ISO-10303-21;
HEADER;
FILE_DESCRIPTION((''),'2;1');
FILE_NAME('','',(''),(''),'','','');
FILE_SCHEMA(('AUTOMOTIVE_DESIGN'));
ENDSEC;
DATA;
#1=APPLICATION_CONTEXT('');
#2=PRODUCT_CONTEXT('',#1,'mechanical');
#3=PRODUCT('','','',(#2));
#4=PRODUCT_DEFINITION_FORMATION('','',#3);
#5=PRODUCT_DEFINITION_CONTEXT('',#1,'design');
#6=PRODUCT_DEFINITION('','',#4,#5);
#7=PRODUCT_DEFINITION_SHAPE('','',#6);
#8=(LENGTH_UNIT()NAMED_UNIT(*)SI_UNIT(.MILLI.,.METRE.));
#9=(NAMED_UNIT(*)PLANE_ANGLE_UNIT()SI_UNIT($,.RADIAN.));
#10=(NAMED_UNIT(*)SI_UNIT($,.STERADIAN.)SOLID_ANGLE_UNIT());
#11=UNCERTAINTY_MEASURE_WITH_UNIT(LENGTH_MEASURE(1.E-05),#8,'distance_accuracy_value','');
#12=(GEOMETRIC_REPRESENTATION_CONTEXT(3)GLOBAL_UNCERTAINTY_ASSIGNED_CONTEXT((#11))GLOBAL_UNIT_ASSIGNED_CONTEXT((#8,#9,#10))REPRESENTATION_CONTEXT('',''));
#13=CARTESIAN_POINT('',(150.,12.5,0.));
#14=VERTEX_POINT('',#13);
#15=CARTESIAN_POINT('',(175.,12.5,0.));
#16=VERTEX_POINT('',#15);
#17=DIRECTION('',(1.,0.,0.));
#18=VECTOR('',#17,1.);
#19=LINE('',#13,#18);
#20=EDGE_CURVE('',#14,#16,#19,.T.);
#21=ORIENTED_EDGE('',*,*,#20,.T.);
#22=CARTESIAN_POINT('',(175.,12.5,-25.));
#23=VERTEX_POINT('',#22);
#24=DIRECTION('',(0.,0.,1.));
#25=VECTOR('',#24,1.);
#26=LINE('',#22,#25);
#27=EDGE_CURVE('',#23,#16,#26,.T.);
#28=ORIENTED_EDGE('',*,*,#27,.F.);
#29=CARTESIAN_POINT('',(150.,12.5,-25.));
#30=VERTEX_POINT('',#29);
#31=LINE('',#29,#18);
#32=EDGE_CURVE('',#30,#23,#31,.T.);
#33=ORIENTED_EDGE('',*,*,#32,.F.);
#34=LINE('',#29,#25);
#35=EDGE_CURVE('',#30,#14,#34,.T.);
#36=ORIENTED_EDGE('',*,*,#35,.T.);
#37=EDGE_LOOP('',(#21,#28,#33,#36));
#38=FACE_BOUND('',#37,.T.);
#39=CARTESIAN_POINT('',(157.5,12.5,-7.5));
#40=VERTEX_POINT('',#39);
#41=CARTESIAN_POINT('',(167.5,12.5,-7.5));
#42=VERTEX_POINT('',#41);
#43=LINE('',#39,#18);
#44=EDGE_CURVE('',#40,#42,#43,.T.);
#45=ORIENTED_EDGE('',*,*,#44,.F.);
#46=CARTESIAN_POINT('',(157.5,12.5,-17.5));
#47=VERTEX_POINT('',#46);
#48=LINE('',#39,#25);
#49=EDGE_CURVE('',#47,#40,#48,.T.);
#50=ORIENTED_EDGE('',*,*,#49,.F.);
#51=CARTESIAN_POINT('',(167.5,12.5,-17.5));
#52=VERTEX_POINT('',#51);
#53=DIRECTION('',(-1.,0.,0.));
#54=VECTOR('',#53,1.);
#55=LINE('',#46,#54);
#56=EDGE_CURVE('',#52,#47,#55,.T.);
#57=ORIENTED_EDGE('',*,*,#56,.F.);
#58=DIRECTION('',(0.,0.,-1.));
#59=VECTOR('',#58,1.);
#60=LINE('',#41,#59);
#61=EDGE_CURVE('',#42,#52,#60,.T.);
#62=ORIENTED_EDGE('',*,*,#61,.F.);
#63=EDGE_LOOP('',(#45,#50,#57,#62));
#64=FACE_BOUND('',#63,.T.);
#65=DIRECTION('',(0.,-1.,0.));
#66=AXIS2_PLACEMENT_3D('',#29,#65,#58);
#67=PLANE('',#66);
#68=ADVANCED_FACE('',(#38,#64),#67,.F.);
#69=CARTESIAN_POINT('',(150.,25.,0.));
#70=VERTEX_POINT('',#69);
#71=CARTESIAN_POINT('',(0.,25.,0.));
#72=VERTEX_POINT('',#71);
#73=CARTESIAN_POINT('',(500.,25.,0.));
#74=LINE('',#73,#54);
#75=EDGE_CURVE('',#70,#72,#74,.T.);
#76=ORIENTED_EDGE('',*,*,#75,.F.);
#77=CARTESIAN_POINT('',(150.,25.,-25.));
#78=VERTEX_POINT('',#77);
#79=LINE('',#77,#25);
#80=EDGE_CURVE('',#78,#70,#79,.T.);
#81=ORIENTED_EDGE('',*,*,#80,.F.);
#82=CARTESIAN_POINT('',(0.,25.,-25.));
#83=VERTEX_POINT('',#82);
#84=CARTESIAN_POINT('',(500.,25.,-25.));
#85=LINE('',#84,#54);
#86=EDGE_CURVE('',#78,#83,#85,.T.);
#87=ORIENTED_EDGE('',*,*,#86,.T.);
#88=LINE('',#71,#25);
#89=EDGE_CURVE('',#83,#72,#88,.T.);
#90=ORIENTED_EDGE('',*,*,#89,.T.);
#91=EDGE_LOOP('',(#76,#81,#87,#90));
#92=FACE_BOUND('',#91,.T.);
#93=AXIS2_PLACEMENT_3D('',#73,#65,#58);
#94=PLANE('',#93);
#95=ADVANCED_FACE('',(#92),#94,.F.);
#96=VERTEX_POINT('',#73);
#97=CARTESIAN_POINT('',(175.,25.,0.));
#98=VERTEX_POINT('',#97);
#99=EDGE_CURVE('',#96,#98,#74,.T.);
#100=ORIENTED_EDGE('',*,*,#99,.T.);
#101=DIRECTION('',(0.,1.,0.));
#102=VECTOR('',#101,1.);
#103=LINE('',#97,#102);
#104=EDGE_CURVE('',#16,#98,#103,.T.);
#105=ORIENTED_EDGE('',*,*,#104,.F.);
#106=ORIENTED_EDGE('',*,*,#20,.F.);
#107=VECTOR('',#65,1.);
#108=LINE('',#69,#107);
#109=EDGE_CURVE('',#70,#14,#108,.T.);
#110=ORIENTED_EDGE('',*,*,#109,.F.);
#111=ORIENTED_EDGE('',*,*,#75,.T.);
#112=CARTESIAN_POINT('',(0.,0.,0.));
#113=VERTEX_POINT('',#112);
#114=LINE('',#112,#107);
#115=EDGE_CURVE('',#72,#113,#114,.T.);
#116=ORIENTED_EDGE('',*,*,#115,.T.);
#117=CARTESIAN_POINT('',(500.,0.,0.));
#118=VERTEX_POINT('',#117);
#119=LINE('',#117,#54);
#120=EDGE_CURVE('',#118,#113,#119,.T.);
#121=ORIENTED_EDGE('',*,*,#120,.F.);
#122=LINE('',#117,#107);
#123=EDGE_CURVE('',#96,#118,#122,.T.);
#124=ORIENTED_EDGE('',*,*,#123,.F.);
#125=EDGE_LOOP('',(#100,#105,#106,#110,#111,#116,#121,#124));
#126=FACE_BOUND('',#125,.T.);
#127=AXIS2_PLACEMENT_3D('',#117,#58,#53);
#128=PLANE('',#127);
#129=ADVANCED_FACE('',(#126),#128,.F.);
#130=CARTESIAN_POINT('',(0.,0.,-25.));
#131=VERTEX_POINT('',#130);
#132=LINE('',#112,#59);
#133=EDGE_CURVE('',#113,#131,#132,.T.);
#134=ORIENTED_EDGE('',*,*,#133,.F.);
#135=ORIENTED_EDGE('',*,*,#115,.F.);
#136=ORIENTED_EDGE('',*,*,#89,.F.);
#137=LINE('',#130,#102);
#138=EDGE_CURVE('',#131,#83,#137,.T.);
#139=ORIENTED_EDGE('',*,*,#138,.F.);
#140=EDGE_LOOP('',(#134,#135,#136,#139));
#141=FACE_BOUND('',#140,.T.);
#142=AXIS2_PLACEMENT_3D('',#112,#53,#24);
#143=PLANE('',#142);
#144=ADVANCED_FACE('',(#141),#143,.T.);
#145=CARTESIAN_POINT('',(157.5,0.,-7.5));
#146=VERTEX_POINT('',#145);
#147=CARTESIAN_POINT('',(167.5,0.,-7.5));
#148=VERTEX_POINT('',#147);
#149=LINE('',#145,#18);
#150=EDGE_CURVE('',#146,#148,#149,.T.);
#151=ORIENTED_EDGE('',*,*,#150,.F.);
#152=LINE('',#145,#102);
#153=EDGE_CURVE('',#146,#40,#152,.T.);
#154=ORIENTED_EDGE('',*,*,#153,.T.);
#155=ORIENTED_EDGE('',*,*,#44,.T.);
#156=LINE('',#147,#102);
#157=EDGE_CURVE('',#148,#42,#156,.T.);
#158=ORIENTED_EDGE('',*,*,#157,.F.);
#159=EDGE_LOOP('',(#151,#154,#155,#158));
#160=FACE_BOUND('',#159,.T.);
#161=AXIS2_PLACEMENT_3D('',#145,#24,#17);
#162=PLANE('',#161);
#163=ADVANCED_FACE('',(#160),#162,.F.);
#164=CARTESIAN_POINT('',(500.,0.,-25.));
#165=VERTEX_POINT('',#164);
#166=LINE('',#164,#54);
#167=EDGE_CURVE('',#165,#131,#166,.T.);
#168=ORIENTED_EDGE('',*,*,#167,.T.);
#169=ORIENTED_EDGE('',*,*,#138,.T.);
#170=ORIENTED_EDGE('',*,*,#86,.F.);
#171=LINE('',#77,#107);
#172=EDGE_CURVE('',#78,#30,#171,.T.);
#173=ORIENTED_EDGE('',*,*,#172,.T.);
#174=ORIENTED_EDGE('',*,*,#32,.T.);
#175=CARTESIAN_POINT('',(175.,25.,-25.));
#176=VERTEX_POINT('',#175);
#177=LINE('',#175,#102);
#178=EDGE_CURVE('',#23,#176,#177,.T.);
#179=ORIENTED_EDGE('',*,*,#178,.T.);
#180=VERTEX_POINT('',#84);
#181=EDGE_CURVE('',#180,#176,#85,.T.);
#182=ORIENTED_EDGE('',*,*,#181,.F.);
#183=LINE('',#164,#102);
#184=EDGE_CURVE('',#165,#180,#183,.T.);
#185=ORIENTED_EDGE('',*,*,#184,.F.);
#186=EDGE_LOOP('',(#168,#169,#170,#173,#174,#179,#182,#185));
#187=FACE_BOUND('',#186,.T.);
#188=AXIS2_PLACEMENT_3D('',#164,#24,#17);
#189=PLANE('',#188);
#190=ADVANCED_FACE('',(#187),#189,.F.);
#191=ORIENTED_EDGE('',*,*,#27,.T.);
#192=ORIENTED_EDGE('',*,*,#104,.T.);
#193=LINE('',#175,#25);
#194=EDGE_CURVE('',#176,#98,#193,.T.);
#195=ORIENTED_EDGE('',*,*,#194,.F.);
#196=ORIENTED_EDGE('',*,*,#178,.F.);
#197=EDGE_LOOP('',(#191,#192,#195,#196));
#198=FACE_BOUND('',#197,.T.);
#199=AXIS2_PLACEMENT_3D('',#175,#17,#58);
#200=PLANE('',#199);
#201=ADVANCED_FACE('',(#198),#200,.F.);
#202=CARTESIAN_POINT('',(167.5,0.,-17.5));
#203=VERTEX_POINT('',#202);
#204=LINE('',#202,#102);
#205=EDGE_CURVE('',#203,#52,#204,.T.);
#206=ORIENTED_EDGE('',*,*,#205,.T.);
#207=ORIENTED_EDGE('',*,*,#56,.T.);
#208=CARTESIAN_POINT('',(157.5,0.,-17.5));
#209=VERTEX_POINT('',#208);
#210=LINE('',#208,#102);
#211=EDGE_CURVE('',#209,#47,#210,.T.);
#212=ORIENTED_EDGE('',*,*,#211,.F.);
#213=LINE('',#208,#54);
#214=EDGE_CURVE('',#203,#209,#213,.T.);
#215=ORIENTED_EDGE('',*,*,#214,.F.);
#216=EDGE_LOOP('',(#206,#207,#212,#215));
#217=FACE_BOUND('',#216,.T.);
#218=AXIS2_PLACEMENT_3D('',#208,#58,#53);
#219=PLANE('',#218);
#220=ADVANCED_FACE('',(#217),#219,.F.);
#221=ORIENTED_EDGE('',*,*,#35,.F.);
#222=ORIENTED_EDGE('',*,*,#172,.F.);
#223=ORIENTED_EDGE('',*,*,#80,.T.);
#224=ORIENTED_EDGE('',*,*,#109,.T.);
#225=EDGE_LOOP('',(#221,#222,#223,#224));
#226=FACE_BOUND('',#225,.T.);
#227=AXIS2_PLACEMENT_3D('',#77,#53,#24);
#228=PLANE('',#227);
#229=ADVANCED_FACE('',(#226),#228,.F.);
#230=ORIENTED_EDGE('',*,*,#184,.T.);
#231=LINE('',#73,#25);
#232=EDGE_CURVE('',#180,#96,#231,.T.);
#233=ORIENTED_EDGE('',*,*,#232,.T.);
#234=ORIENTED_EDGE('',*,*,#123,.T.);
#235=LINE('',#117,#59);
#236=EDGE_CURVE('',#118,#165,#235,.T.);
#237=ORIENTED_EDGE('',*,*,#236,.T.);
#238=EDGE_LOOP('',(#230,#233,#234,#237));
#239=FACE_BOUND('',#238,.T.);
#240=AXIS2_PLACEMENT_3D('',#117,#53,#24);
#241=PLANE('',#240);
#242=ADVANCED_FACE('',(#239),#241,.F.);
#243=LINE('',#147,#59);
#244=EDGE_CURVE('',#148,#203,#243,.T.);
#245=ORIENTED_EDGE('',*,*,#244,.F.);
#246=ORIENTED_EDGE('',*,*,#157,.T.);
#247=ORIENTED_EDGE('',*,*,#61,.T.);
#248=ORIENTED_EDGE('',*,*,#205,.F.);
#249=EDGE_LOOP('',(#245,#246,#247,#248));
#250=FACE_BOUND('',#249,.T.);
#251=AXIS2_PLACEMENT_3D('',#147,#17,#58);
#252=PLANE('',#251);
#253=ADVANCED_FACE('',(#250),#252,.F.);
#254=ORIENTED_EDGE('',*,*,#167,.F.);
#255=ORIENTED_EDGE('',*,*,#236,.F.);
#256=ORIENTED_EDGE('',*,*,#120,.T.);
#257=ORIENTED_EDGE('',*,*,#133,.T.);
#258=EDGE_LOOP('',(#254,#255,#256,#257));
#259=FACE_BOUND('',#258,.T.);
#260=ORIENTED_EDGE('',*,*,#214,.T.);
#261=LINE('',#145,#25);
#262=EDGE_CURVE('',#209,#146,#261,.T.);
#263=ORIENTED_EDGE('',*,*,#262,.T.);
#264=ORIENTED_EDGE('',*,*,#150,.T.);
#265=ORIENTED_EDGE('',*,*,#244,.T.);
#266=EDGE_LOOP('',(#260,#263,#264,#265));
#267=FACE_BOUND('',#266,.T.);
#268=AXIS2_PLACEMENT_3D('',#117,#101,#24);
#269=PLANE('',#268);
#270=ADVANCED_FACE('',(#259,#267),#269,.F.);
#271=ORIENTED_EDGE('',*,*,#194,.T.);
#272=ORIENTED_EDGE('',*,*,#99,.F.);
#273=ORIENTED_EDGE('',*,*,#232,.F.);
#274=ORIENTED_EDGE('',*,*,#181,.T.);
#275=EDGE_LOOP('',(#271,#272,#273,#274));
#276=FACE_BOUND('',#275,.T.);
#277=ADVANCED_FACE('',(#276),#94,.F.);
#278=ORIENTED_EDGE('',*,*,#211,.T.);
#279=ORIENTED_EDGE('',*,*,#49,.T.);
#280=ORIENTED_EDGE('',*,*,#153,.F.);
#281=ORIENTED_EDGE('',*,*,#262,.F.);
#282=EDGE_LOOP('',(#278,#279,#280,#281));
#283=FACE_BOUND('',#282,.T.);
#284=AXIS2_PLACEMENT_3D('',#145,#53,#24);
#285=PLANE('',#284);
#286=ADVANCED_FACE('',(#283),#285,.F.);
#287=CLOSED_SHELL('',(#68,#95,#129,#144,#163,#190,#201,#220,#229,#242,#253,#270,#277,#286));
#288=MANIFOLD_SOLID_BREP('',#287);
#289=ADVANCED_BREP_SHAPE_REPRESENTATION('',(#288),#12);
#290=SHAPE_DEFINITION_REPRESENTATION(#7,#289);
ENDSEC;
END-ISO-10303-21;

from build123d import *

# Parameters (mm, degrees)
SKETCH1_W           = 25
SKETCH1_H           = 25
BOSS_EXTRUDE1_DEPTH = 500
SKETCH2_W           = 25
SKETCH2_H           = 12.5
CUT_EXTRUDE1_DEPTH  = 502.248441394
SKETCH3_W           = 10
SKETCH3_H           = 10
CUT_EXTRUDE2_DEPTH  = 501.7806406


with BuildPart() as part:
    # Sketch1 → Boss-Extrude1 (new body)
    with BuildSketch(Plane(origin=(0, 0, 0), x_dir=(0, 0, -1), z_dir=(1, 0, 0))):
        with Locations((12.5, 12.5)):
            Rectangle(SKETCH1_W, SKETCH1_H)
    extrude(amount=BOSS_EXTRUDE1_DEPTH)

    # Sketch2 → Cut-Extrude1 (cut, through all)
    with BuildSketch(Plane.XY):
        with Locations((162.5, 18.75)):
            Rectangle(SKETCH2_W, SKETCH2_H)
    extrude(amount=-CUT_EXTRUDE1_DEPTH, mode=Mode.SUBTRACT)

    # Sketch3 → Cut-Extrude2 (cut, through all)
    with BuildSketch(Plane(origin=(0, 12.5, 0), x_dir=(1, 0, 0), z_dir=(0, 1, 0))):
        with Locations((162.5, 12.5)):
            Rectangle(SKETCH3_W, SKETCH3_H)
    extrude(amount=-CUT_EXTRUDE2_DEPTH, mode=Mode.SUBTRACT)


solid = part.part
